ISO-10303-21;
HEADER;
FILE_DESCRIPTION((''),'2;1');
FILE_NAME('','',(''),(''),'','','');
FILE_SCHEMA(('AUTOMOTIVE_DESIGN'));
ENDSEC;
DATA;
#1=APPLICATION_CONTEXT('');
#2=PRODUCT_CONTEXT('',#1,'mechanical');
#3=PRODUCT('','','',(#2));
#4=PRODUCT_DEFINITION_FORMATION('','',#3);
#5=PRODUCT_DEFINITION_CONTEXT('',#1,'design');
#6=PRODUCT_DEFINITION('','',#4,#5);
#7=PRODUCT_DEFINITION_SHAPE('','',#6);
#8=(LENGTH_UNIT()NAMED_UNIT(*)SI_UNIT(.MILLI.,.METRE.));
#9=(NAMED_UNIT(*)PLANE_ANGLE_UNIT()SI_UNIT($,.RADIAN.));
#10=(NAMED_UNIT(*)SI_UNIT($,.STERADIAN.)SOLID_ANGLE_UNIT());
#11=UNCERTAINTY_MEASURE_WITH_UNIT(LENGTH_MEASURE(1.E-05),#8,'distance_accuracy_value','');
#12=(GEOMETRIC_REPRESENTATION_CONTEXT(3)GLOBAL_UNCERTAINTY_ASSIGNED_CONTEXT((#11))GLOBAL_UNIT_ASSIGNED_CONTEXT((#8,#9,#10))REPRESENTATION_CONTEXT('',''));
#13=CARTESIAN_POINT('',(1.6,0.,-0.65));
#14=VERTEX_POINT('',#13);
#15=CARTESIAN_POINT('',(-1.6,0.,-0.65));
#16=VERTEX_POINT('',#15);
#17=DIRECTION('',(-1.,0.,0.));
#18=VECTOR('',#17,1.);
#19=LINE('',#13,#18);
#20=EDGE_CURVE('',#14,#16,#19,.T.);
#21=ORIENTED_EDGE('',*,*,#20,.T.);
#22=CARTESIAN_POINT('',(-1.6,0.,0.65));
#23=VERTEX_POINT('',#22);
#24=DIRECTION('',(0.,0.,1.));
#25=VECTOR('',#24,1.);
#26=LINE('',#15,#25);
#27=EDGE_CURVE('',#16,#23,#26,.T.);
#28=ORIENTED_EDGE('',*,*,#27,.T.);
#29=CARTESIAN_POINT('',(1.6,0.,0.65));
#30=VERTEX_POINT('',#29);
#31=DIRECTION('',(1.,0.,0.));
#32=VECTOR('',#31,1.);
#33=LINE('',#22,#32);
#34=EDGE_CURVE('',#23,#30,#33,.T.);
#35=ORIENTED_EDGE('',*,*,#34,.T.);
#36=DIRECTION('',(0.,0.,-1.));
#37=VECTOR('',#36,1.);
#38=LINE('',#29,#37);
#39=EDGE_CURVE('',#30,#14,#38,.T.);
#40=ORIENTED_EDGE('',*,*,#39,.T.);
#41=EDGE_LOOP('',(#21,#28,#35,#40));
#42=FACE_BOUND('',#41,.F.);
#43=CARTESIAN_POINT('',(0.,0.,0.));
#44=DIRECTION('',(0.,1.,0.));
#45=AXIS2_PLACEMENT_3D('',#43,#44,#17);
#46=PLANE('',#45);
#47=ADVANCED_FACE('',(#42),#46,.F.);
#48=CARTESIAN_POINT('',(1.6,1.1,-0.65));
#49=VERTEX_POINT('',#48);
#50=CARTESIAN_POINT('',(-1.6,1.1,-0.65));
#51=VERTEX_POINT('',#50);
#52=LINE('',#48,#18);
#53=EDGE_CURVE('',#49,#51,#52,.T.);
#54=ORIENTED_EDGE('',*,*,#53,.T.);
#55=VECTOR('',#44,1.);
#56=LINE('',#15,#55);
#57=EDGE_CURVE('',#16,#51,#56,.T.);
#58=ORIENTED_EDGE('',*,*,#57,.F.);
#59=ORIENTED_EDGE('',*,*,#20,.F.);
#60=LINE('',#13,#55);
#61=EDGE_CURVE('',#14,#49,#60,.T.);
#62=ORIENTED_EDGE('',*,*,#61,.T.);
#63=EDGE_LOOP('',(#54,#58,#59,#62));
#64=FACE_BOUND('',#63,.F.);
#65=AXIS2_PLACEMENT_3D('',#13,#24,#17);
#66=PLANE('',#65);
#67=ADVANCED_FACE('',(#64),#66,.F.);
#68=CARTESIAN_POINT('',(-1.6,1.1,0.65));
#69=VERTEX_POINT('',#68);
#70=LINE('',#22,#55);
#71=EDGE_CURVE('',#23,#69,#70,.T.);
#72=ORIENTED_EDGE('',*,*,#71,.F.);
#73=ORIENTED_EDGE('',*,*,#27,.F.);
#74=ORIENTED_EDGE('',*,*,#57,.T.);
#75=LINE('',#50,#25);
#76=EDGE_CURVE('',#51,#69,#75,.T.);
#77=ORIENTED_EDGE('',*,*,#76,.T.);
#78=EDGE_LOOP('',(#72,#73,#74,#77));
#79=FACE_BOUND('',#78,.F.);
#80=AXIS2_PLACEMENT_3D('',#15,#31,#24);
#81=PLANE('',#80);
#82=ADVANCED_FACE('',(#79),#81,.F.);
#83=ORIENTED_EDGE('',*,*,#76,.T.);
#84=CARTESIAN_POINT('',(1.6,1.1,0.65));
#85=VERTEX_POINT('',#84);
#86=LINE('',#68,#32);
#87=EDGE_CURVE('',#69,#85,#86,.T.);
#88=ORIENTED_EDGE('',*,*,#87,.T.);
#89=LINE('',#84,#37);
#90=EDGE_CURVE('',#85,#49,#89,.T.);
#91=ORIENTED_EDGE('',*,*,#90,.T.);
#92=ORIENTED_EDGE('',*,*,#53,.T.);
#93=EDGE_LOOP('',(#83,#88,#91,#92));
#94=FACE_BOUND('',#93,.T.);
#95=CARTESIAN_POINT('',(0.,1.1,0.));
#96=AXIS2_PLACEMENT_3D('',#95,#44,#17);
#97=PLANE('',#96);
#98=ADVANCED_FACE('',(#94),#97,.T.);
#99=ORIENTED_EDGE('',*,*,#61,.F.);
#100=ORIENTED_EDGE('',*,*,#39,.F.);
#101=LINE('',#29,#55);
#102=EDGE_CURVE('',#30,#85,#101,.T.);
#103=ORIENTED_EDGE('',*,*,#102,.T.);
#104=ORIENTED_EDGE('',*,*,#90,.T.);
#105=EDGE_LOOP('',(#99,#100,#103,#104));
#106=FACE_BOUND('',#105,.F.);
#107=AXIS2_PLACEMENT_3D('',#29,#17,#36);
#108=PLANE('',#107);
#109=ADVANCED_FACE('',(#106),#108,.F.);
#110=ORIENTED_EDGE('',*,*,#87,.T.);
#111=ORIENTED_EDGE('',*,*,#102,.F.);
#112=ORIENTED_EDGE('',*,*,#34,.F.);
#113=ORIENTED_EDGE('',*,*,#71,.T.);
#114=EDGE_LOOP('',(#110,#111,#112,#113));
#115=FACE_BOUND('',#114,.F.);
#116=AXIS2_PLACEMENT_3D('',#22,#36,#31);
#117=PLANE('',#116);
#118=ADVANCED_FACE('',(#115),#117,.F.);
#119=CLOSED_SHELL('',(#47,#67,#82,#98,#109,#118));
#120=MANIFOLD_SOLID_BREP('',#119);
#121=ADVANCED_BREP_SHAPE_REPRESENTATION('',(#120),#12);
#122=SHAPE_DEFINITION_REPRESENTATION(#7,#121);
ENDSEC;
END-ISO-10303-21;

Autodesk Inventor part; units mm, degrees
ref_plane "YZ Plane" through (0, 0, 0) normal (1, 0, 0) x (0, 1, 0)
ref_plane "XZ Plane" through (0, 0, 0) normal (0, 1, 0) x (-1, 0, 0)
ref_plane "XY Plane" through (0, 0, 0) normal (0, 0, 1) x (1, 0, 0)
sketch "Sketch1" plane through (0, 0, 0) normal (0, 1, 0) x (-1, 0, 0)
  line L0 (1.6, 0.65) -> (-1.6, 0.65)
  line L1 (-1.6, 0.65) -> (-1.6, -0.65)
  line L2 (-1.6, -0.65) -> (1.6, -0.65)
  line L3 (1.6, -0.65) -> (1.6, 0.65)
  point P0 (0, 0)
  dimension "d0" = 3.2
  dimension "d1" = 1.3
  dimension "d2" = 1.6
  dimension "d3" = 0.65
extrude "Extrusion1" add sketch "Sketch1" along normal blind 1.1
equation "\"d2\" = 0.5 * d0"
equation "\"d3\" = 0.5 * d1"
properties part number "Large light" material "Nylon 6/6"
